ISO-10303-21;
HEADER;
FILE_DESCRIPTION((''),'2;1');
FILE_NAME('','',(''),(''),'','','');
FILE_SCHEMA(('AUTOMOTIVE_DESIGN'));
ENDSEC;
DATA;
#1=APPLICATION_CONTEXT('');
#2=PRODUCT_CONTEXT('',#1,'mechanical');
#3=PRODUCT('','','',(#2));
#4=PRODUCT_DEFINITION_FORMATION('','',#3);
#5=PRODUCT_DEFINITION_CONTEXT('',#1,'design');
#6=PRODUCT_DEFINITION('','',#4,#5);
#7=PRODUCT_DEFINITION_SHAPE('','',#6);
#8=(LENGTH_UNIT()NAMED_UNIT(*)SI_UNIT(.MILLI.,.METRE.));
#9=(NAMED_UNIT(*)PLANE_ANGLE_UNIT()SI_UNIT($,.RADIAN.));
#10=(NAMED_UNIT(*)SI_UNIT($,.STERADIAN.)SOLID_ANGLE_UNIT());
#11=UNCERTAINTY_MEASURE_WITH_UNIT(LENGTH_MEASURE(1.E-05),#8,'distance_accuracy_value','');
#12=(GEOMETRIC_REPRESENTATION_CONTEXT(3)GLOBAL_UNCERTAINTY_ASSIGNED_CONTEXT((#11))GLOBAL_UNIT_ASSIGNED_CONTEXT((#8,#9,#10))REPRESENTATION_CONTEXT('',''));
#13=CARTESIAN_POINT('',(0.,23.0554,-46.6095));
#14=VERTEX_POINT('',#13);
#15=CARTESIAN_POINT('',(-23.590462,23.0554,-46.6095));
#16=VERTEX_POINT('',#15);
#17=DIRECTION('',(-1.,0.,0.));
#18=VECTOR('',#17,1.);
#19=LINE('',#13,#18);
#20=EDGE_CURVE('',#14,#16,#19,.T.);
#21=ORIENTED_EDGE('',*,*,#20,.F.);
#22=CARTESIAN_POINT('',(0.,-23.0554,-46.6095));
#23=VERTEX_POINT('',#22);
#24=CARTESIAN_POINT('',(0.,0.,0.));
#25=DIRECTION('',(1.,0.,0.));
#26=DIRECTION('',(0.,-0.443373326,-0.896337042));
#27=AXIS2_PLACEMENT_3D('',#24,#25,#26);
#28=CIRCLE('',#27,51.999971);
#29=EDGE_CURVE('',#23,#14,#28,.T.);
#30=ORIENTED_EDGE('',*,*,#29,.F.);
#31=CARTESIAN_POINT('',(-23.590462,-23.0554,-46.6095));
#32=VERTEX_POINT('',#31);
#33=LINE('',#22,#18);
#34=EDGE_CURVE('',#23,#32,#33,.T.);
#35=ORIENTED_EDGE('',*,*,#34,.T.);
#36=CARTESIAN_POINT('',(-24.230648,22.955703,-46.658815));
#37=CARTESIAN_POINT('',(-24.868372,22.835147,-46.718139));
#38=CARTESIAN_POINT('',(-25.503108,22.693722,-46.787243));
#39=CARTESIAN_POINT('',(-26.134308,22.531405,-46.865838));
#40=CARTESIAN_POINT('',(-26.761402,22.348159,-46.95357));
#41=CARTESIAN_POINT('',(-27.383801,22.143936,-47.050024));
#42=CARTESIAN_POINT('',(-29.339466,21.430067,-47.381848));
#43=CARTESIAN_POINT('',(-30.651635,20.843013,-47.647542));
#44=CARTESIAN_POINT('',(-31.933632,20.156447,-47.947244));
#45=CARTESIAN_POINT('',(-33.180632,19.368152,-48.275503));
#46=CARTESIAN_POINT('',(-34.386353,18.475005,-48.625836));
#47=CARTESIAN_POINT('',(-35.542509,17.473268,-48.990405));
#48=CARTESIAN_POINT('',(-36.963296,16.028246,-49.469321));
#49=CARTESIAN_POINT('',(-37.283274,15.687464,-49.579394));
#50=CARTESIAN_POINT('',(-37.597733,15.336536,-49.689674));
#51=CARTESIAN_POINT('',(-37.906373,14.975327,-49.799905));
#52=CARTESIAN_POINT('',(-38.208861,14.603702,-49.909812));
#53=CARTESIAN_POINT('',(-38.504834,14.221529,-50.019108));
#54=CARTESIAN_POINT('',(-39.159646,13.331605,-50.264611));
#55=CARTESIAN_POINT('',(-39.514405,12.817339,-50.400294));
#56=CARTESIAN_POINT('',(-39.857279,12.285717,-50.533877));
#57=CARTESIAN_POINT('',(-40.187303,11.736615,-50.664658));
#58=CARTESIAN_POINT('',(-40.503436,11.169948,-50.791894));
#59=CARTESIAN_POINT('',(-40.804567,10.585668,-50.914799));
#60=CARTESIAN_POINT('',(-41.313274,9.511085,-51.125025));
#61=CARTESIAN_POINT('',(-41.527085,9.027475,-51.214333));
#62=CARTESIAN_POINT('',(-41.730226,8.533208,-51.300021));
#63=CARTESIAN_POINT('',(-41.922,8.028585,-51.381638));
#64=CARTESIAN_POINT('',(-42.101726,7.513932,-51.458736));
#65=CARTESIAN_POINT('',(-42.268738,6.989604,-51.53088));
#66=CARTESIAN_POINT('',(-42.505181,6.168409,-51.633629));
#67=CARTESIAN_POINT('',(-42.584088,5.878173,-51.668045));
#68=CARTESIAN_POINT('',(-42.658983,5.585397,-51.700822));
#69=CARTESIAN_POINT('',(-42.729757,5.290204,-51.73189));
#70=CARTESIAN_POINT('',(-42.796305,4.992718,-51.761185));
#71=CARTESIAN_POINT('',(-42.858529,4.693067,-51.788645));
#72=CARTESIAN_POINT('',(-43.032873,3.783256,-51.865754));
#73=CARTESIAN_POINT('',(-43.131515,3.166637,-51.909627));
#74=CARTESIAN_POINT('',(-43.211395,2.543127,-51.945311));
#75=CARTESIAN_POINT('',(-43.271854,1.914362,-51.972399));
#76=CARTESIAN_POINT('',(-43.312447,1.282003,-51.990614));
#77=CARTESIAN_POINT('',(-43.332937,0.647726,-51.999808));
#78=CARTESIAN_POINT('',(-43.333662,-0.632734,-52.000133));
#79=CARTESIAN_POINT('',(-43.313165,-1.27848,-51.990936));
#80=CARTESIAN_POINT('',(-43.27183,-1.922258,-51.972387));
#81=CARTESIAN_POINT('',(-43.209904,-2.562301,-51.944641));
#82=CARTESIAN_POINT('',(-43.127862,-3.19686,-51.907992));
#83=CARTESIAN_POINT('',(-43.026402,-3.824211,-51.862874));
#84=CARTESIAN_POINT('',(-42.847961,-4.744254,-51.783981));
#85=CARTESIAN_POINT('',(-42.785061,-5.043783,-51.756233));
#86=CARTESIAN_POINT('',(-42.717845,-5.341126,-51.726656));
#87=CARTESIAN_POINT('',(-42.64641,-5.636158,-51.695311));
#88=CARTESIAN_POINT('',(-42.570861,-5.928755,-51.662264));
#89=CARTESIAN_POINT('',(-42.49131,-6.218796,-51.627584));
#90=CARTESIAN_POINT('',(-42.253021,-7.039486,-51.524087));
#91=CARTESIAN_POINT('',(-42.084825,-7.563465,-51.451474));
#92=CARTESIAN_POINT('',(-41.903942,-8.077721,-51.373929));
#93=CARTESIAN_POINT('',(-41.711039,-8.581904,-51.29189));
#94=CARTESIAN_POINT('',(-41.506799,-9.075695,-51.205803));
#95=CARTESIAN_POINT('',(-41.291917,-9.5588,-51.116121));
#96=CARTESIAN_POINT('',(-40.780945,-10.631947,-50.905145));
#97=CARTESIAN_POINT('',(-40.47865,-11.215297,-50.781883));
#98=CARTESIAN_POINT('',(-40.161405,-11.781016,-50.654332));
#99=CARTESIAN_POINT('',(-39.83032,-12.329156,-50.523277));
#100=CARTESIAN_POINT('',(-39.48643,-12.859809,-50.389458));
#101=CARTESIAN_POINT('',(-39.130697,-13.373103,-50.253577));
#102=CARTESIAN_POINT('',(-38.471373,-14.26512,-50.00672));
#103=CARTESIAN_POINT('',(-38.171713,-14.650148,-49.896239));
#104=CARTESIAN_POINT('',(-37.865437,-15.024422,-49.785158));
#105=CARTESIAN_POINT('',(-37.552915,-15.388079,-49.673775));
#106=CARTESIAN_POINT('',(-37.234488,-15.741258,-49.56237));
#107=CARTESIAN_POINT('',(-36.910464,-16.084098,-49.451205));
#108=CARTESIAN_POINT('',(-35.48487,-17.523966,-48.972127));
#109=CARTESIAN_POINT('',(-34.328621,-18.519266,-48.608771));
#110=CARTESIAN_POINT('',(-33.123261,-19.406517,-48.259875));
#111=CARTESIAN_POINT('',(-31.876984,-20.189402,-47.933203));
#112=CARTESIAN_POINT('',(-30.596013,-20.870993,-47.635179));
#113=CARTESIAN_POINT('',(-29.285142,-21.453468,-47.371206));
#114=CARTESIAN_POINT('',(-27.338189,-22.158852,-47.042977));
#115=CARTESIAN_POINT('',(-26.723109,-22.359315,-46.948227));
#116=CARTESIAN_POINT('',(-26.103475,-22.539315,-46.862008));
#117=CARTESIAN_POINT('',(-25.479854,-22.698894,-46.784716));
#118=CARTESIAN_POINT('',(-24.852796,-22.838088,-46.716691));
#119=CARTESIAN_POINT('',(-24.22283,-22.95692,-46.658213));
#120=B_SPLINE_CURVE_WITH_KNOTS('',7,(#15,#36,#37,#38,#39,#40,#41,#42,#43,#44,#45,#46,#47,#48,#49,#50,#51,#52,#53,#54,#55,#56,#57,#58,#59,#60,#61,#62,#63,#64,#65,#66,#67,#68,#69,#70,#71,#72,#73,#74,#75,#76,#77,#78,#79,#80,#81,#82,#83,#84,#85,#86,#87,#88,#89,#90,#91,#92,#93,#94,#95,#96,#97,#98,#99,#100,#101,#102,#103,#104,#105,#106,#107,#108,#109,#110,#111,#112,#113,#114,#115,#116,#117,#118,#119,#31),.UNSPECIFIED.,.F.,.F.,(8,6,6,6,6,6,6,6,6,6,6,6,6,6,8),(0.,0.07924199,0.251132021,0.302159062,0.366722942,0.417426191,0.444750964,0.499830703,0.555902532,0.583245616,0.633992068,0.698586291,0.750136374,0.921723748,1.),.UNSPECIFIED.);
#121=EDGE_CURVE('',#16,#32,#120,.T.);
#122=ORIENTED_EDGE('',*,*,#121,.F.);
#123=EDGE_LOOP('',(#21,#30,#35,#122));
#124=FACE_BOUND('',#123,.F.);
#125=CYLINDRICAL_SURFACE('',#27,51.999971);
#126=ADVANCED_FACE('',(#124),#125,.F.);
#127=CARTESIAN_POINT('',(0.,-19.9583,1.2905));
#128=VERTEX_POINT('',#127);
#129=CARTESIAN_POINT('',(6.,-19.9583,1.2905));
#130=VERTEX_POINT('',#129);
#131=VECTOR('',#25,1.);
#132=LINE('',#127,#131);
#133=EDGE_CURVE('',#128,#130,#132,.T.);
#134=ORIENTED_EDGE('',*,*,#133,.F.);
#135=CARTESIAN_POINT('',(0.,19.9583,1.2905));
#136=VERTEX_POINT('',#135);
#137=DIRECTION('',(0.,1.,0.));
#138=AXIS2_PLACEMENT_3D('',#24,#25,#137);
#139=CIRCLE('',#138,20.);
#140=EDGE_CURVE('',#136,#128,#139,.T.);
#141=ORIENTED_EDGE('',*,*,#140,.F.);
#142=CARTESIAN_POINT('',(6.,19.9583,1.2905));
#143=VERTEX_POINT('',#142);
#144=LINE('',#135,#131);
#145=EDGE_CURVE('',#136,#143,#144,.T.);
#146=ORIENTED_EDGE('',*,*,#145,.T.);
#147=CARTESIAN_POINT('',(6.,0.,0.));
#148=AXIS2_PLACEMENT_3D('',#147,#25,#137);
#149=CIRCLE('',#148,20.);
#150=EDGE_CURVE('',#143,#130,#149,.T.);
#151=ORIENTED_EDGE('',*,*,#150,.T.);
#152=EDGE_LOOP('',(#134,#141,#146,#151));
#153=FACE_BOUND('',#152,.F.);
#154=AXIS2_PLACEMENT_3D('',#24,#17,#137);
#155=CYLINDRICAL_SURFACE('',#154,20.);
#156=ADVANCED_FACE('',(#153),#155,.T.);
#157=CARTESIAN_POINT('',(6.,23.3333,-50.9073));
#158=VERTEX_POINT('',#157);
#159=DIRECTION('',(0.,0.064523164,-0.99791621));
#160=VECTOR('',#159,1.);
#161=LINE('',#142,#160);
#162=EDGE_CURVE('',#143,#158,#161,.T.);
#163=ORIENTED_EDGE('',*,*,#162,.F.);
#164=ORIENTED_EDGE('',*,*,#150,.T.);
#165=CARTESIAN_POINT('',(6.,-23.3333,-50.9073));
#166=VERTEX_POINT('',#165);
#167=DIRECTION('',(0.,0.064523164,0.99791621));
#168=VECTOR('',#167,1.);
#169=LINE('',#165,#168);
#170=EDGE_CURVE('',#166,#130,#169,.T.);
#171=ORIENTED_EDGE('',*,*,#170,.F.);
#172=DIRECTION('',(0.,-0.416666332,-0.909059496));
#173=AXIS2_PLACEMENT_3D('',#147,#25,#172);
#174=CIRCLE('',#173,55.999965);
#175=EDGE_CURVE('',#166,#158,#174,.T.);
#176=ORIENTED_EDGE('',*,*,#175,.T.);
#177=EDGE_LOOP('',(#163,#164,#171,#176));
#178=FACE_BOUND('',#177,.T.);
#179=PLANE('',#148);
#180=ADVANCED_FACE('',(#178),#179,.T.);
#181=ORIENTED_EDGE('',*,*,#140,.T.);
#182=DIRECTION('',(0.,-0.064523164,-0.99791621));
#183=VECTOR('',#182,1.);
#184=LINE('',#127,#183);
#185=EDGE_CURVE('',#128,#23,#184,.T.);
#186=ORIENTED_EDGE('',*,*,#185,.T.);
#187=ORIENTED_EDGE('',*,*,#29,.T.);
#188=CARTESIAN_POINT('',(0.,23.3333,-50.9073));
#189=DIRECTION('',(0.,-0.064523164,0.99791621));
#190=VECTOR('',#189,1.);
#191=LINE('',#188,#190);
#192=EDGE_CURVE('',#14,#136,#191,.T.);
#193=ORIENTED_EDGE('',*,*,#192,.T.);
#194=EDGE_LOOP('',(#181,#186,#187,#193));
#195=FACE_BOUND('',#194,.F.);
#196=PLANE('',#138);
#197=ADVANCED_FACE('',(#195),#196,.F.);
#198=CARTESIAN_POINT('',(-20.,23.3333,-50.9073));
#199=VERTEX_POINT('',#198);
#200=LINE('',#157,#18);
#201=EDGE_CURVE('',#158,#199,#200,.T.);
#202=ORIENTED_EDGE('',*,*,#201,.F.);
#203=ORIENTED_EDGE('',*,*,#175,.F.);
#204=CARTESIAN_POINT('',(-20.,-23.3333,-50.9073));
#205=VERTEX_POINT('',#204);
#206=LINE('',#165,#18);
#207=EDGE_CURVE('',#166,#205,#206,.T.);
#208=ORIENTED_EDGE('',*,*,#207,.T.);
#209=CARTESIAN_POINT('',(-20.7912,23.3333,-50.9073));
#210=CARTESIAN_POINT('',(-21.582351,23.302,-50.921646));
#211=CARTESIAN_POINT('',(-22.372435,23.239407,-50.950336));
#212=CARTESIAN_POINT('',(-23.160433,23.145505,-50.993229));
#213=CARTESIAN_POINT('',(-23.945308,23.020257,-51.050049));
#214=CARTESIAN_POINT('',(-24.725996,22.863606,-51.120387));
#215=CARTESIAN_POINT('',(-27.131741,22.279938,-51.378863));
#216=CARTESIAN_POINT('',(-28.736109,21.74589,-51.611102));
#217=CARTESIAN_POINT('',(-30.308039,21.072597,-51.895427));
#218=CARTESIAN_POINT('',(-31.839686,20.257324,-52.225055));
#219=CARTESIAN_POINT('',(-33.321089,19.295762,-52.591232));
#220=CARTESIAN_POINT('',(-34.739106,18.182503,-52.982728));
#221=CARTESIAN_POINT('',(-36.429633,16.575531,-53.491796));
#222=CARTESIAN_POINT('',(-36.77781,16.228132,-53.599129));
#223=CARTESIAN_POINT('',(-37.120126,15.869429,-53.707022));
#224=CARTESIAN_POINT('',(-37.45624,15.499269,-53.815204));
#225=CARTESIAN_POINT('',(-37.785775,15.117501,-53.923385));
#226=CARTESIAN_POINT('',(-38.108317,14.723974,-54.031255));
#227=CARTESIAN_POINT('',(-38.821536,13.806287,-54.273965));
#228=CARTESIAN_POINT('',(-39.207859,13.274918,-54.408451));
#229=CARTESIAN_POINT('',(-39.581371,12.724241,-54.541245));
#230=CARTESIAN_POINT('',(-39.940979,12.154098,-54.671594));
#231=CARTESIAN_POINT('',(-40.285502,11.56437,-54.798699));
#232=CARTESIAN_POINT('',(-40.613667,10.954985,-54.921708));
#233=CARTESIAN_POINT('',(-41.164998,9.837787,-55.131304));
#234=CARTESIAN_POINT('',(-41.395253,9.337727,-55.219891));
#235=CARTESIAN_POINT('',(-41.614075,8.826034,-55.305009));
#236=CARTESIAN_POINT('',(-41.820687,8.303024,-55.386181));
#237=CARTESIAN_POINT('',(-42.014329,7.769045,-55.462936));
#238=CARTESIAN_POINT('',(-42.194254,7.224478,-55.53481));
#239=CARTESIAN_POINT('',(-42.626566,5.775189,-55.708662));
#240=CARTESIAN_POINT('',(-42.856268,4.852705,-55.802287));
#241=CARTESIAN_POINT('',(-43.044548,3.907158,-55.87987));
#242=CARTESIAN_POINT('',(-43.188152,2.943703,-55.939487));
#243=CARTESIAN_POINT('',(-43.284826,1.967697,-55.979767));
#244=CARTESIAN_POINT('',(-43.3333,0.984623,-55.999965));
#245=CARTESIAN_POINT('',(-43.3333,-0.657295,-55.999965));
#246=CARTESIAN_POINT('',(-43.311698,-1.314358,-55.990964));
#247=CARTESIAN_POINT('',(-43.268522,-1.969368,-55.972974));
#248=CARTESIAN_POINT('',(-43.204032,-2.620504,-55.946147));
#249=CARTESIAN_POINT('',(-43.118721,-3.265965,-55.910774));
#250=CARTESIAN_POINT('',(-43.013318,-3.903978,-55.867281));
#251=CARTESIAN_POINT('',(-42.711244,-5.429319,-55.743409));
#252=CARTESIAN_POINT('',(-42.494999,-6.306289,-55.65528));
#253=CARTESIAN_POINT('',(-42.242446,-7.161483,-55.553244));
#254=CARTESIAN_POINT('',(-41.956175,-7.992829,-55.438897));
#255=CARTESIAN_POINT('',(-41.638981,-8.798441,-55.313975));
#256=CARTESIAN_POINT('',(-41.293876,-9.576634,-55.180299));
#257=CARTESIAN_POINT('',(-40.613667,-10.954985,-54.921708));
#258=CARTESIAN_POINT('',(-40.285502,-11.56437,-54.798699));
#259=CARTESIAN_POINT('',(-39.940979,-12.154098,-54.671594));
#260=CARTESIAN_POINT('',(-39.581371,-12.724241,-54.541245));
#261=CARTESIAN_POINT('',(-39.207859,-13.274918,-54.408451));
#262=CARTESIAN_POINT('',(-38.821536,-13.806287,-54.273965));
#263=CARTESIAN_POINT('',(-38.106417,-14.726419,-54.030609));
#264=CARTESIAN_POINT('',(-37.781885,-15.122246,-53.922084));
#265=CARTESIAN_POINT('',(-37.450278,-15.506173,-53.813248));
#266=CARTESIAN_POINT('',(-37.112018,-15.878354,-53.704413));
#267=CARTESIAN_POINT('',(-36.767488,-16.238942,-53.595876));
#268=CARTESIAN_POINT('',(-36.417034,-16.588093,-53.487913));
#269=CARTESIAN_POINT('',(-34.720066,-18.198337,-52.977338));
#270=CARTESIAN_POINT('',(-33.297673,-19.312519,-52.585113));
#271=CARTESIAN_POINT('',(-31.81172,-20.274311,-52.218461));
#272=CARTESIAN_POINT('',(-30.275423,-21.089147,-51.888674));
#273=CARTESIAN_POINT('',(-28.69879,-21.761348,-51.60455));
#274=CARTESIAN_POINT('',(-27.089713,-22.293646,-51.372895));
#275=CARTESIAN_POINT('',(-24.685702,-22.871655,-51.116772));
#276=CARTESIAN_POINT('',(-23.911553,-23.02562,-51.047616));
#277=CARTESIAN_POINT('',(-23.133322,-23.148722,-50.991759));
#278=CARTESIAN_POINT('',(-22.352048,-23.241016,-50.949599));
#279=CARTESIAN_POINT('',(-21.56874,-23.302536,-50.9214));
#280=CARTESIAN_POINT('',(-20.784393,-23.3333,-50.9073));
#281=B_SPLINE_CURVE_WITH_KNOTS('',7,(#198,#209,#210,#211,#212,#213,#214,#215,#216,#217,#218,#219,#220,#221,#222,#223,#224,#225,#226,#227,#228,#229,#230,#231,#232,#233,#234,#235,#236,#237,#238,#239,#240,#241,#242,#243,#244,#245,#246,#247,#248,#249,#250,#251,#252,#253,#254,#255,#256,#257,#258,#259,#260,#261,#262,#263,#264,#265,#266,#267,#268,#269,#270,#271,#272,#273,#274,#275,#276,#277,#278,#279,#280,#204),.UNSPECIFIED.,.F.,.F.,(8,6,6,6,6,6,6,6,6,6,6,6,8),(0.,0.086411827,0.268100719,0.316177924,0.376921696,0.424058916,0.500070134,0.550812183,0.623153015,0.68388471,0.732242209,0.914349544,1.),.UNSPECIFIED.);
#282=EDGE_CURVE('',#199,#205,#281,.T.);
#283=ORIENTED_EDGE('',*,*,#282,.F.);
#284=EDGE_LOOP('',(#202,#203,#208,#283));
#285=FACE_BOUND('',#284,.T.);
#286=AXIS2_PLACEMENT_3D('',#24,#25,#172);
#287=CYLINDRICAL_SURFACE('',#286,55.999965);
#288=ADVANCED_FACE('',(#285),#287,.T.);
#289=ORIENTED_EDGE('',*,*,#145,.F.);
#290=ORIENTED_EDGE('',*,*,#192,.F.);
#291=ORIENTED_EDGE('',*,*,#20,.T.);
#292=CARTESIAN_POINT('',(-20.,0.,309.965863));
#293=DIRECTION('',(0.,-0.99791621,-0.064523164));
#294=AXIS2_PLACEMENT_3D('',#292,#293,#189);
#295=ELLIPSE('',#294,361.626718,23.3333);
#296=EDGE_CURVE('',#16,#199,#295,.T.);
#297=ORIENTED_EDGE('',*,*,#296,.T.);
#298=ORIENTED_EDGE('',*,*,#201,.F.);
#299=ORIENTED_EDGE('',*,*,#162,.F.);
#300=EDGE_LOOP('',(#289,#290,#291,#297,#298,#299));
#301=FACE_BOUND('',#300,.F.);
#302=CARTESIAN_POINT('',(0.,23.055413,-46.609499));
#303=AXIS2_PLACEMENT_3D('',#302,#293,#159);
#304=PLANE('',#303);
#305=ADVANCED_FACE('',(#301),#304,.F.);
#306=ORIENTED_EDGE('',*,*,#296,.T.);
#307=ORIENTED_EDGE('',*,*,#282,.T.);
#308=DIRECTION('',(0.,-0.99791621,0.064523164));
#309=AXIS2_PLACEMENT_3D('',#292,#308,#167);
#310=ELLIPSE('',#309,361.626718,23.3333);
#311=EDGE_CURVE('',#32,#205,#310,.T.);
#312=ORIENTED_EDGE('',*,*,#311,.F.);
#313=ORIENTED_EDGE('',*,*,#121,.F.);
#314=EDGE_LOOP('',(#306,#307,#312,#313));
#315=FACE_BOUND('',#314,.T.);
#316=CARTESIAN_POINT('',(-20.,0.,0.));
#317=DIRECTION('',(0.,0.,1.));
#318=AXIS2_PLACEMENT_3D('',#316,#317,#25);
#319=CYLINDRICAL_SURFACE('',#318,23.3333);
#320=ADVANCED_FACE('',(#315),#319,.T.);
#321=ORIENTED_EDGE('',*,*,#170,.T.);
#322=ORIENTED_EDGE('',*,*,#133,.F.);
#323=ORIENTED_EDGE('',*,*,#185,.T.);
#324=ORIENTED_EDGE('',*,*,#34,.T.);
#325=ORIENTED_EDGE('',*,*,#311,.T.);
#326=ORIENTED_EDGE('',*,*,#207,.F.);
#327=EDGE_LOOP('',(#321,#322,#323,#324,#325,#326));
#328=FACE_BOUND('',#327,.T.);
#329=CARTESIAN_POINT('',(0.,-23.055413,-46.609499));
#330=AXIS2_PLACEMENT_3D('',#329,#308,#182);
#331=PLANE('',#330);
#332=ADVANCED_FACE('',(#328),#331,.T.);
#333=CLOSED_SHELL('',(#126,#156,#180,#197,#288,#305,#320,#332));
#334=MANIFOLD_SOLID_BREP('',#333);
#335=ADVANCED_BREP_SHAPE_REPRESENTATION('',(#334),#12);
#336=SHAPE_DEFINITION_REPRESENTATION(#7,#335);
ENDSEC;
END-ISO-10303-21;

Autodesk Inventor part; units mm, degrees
ref_plane "YZ Plane" through (0, 0, 0) normal (1, 0, 0) x (0, 1, 0)
ref_plane "XZ Plane" through (0, 0, 0) normal (0, 1, 0) x (-1, 0, 0)
ref_plane "XY Plane" through (0, 0, 0) normal (0, 0, 1) x (1, 0, 0)
sketch "Sketch1" plane through (0, 0, 0) normal (1, 0, 0) x (0, 1, 0)
  circle A0 centre (0, 0) radius 20
  line L0 (-19.9583, 1.2905) -> (-23.3333, -50.9073)
  line L1 (19.9583, 1.2905) -> (23.3333, -50.9073)
  line L2 (9.9593, -5.75) -> (0, 0) construction
  line L3 (0, -48.5721) -> (0, 22.5) construction
  arc A1 (-23.0554, -46.6095) -> (23.0554, -46.6095) centre (0, 0) ccw
  arc A2 (-23.3333, -50.9073) -> (23.3333, -50.9073) centre (0, 0) ccw
  line L4 (0, 0) -> (-23.3333, -50.9073) construction
  point P0 (0, 11.4686)
  point P1 (0, 11.4686)
  dimension "d0" = 40
  dimension "d8" = 104
  dimension "d9" = 112
  dimension "d10" = 24.624
extrude "Extrusion1" add sketch "Sketch1" along normal blind 6
extrude "Extrusion2" add sketch "Sketch1" against normal blind 47.5 from surface at 0 contours L1 A2 L0 A1
sketch "Sketch2" plane through (0, 0, 0) normal (0, 0, 1) x (1, 0, 0)
  line L0 (6, -19.9583) -> (6, 19.9583) construction
  line L1 (6, 0) -> (-47.5, 0) construction
  line L2 (-47.5, 23.3333) -> (-47.5, -23.3333) projected
  circle A0 centre (-20, 0) radius 23.3333
  line L3 (6, 23.3333) -> (-47.5, 23.3333) projected
  line L4 (-47.5, -23.3333) -> (6, -23.3333) projected
  line L5 (-20, 23.3333) -> (-20, -23.3333) construction
  point P0 (0, 0)
  dimension "d21" = 27.5
extrude "Extrusion3" cut sketch "Sketch2" against normal through all contours L3 A0 L4 L2
properties part number "shank_connector"
